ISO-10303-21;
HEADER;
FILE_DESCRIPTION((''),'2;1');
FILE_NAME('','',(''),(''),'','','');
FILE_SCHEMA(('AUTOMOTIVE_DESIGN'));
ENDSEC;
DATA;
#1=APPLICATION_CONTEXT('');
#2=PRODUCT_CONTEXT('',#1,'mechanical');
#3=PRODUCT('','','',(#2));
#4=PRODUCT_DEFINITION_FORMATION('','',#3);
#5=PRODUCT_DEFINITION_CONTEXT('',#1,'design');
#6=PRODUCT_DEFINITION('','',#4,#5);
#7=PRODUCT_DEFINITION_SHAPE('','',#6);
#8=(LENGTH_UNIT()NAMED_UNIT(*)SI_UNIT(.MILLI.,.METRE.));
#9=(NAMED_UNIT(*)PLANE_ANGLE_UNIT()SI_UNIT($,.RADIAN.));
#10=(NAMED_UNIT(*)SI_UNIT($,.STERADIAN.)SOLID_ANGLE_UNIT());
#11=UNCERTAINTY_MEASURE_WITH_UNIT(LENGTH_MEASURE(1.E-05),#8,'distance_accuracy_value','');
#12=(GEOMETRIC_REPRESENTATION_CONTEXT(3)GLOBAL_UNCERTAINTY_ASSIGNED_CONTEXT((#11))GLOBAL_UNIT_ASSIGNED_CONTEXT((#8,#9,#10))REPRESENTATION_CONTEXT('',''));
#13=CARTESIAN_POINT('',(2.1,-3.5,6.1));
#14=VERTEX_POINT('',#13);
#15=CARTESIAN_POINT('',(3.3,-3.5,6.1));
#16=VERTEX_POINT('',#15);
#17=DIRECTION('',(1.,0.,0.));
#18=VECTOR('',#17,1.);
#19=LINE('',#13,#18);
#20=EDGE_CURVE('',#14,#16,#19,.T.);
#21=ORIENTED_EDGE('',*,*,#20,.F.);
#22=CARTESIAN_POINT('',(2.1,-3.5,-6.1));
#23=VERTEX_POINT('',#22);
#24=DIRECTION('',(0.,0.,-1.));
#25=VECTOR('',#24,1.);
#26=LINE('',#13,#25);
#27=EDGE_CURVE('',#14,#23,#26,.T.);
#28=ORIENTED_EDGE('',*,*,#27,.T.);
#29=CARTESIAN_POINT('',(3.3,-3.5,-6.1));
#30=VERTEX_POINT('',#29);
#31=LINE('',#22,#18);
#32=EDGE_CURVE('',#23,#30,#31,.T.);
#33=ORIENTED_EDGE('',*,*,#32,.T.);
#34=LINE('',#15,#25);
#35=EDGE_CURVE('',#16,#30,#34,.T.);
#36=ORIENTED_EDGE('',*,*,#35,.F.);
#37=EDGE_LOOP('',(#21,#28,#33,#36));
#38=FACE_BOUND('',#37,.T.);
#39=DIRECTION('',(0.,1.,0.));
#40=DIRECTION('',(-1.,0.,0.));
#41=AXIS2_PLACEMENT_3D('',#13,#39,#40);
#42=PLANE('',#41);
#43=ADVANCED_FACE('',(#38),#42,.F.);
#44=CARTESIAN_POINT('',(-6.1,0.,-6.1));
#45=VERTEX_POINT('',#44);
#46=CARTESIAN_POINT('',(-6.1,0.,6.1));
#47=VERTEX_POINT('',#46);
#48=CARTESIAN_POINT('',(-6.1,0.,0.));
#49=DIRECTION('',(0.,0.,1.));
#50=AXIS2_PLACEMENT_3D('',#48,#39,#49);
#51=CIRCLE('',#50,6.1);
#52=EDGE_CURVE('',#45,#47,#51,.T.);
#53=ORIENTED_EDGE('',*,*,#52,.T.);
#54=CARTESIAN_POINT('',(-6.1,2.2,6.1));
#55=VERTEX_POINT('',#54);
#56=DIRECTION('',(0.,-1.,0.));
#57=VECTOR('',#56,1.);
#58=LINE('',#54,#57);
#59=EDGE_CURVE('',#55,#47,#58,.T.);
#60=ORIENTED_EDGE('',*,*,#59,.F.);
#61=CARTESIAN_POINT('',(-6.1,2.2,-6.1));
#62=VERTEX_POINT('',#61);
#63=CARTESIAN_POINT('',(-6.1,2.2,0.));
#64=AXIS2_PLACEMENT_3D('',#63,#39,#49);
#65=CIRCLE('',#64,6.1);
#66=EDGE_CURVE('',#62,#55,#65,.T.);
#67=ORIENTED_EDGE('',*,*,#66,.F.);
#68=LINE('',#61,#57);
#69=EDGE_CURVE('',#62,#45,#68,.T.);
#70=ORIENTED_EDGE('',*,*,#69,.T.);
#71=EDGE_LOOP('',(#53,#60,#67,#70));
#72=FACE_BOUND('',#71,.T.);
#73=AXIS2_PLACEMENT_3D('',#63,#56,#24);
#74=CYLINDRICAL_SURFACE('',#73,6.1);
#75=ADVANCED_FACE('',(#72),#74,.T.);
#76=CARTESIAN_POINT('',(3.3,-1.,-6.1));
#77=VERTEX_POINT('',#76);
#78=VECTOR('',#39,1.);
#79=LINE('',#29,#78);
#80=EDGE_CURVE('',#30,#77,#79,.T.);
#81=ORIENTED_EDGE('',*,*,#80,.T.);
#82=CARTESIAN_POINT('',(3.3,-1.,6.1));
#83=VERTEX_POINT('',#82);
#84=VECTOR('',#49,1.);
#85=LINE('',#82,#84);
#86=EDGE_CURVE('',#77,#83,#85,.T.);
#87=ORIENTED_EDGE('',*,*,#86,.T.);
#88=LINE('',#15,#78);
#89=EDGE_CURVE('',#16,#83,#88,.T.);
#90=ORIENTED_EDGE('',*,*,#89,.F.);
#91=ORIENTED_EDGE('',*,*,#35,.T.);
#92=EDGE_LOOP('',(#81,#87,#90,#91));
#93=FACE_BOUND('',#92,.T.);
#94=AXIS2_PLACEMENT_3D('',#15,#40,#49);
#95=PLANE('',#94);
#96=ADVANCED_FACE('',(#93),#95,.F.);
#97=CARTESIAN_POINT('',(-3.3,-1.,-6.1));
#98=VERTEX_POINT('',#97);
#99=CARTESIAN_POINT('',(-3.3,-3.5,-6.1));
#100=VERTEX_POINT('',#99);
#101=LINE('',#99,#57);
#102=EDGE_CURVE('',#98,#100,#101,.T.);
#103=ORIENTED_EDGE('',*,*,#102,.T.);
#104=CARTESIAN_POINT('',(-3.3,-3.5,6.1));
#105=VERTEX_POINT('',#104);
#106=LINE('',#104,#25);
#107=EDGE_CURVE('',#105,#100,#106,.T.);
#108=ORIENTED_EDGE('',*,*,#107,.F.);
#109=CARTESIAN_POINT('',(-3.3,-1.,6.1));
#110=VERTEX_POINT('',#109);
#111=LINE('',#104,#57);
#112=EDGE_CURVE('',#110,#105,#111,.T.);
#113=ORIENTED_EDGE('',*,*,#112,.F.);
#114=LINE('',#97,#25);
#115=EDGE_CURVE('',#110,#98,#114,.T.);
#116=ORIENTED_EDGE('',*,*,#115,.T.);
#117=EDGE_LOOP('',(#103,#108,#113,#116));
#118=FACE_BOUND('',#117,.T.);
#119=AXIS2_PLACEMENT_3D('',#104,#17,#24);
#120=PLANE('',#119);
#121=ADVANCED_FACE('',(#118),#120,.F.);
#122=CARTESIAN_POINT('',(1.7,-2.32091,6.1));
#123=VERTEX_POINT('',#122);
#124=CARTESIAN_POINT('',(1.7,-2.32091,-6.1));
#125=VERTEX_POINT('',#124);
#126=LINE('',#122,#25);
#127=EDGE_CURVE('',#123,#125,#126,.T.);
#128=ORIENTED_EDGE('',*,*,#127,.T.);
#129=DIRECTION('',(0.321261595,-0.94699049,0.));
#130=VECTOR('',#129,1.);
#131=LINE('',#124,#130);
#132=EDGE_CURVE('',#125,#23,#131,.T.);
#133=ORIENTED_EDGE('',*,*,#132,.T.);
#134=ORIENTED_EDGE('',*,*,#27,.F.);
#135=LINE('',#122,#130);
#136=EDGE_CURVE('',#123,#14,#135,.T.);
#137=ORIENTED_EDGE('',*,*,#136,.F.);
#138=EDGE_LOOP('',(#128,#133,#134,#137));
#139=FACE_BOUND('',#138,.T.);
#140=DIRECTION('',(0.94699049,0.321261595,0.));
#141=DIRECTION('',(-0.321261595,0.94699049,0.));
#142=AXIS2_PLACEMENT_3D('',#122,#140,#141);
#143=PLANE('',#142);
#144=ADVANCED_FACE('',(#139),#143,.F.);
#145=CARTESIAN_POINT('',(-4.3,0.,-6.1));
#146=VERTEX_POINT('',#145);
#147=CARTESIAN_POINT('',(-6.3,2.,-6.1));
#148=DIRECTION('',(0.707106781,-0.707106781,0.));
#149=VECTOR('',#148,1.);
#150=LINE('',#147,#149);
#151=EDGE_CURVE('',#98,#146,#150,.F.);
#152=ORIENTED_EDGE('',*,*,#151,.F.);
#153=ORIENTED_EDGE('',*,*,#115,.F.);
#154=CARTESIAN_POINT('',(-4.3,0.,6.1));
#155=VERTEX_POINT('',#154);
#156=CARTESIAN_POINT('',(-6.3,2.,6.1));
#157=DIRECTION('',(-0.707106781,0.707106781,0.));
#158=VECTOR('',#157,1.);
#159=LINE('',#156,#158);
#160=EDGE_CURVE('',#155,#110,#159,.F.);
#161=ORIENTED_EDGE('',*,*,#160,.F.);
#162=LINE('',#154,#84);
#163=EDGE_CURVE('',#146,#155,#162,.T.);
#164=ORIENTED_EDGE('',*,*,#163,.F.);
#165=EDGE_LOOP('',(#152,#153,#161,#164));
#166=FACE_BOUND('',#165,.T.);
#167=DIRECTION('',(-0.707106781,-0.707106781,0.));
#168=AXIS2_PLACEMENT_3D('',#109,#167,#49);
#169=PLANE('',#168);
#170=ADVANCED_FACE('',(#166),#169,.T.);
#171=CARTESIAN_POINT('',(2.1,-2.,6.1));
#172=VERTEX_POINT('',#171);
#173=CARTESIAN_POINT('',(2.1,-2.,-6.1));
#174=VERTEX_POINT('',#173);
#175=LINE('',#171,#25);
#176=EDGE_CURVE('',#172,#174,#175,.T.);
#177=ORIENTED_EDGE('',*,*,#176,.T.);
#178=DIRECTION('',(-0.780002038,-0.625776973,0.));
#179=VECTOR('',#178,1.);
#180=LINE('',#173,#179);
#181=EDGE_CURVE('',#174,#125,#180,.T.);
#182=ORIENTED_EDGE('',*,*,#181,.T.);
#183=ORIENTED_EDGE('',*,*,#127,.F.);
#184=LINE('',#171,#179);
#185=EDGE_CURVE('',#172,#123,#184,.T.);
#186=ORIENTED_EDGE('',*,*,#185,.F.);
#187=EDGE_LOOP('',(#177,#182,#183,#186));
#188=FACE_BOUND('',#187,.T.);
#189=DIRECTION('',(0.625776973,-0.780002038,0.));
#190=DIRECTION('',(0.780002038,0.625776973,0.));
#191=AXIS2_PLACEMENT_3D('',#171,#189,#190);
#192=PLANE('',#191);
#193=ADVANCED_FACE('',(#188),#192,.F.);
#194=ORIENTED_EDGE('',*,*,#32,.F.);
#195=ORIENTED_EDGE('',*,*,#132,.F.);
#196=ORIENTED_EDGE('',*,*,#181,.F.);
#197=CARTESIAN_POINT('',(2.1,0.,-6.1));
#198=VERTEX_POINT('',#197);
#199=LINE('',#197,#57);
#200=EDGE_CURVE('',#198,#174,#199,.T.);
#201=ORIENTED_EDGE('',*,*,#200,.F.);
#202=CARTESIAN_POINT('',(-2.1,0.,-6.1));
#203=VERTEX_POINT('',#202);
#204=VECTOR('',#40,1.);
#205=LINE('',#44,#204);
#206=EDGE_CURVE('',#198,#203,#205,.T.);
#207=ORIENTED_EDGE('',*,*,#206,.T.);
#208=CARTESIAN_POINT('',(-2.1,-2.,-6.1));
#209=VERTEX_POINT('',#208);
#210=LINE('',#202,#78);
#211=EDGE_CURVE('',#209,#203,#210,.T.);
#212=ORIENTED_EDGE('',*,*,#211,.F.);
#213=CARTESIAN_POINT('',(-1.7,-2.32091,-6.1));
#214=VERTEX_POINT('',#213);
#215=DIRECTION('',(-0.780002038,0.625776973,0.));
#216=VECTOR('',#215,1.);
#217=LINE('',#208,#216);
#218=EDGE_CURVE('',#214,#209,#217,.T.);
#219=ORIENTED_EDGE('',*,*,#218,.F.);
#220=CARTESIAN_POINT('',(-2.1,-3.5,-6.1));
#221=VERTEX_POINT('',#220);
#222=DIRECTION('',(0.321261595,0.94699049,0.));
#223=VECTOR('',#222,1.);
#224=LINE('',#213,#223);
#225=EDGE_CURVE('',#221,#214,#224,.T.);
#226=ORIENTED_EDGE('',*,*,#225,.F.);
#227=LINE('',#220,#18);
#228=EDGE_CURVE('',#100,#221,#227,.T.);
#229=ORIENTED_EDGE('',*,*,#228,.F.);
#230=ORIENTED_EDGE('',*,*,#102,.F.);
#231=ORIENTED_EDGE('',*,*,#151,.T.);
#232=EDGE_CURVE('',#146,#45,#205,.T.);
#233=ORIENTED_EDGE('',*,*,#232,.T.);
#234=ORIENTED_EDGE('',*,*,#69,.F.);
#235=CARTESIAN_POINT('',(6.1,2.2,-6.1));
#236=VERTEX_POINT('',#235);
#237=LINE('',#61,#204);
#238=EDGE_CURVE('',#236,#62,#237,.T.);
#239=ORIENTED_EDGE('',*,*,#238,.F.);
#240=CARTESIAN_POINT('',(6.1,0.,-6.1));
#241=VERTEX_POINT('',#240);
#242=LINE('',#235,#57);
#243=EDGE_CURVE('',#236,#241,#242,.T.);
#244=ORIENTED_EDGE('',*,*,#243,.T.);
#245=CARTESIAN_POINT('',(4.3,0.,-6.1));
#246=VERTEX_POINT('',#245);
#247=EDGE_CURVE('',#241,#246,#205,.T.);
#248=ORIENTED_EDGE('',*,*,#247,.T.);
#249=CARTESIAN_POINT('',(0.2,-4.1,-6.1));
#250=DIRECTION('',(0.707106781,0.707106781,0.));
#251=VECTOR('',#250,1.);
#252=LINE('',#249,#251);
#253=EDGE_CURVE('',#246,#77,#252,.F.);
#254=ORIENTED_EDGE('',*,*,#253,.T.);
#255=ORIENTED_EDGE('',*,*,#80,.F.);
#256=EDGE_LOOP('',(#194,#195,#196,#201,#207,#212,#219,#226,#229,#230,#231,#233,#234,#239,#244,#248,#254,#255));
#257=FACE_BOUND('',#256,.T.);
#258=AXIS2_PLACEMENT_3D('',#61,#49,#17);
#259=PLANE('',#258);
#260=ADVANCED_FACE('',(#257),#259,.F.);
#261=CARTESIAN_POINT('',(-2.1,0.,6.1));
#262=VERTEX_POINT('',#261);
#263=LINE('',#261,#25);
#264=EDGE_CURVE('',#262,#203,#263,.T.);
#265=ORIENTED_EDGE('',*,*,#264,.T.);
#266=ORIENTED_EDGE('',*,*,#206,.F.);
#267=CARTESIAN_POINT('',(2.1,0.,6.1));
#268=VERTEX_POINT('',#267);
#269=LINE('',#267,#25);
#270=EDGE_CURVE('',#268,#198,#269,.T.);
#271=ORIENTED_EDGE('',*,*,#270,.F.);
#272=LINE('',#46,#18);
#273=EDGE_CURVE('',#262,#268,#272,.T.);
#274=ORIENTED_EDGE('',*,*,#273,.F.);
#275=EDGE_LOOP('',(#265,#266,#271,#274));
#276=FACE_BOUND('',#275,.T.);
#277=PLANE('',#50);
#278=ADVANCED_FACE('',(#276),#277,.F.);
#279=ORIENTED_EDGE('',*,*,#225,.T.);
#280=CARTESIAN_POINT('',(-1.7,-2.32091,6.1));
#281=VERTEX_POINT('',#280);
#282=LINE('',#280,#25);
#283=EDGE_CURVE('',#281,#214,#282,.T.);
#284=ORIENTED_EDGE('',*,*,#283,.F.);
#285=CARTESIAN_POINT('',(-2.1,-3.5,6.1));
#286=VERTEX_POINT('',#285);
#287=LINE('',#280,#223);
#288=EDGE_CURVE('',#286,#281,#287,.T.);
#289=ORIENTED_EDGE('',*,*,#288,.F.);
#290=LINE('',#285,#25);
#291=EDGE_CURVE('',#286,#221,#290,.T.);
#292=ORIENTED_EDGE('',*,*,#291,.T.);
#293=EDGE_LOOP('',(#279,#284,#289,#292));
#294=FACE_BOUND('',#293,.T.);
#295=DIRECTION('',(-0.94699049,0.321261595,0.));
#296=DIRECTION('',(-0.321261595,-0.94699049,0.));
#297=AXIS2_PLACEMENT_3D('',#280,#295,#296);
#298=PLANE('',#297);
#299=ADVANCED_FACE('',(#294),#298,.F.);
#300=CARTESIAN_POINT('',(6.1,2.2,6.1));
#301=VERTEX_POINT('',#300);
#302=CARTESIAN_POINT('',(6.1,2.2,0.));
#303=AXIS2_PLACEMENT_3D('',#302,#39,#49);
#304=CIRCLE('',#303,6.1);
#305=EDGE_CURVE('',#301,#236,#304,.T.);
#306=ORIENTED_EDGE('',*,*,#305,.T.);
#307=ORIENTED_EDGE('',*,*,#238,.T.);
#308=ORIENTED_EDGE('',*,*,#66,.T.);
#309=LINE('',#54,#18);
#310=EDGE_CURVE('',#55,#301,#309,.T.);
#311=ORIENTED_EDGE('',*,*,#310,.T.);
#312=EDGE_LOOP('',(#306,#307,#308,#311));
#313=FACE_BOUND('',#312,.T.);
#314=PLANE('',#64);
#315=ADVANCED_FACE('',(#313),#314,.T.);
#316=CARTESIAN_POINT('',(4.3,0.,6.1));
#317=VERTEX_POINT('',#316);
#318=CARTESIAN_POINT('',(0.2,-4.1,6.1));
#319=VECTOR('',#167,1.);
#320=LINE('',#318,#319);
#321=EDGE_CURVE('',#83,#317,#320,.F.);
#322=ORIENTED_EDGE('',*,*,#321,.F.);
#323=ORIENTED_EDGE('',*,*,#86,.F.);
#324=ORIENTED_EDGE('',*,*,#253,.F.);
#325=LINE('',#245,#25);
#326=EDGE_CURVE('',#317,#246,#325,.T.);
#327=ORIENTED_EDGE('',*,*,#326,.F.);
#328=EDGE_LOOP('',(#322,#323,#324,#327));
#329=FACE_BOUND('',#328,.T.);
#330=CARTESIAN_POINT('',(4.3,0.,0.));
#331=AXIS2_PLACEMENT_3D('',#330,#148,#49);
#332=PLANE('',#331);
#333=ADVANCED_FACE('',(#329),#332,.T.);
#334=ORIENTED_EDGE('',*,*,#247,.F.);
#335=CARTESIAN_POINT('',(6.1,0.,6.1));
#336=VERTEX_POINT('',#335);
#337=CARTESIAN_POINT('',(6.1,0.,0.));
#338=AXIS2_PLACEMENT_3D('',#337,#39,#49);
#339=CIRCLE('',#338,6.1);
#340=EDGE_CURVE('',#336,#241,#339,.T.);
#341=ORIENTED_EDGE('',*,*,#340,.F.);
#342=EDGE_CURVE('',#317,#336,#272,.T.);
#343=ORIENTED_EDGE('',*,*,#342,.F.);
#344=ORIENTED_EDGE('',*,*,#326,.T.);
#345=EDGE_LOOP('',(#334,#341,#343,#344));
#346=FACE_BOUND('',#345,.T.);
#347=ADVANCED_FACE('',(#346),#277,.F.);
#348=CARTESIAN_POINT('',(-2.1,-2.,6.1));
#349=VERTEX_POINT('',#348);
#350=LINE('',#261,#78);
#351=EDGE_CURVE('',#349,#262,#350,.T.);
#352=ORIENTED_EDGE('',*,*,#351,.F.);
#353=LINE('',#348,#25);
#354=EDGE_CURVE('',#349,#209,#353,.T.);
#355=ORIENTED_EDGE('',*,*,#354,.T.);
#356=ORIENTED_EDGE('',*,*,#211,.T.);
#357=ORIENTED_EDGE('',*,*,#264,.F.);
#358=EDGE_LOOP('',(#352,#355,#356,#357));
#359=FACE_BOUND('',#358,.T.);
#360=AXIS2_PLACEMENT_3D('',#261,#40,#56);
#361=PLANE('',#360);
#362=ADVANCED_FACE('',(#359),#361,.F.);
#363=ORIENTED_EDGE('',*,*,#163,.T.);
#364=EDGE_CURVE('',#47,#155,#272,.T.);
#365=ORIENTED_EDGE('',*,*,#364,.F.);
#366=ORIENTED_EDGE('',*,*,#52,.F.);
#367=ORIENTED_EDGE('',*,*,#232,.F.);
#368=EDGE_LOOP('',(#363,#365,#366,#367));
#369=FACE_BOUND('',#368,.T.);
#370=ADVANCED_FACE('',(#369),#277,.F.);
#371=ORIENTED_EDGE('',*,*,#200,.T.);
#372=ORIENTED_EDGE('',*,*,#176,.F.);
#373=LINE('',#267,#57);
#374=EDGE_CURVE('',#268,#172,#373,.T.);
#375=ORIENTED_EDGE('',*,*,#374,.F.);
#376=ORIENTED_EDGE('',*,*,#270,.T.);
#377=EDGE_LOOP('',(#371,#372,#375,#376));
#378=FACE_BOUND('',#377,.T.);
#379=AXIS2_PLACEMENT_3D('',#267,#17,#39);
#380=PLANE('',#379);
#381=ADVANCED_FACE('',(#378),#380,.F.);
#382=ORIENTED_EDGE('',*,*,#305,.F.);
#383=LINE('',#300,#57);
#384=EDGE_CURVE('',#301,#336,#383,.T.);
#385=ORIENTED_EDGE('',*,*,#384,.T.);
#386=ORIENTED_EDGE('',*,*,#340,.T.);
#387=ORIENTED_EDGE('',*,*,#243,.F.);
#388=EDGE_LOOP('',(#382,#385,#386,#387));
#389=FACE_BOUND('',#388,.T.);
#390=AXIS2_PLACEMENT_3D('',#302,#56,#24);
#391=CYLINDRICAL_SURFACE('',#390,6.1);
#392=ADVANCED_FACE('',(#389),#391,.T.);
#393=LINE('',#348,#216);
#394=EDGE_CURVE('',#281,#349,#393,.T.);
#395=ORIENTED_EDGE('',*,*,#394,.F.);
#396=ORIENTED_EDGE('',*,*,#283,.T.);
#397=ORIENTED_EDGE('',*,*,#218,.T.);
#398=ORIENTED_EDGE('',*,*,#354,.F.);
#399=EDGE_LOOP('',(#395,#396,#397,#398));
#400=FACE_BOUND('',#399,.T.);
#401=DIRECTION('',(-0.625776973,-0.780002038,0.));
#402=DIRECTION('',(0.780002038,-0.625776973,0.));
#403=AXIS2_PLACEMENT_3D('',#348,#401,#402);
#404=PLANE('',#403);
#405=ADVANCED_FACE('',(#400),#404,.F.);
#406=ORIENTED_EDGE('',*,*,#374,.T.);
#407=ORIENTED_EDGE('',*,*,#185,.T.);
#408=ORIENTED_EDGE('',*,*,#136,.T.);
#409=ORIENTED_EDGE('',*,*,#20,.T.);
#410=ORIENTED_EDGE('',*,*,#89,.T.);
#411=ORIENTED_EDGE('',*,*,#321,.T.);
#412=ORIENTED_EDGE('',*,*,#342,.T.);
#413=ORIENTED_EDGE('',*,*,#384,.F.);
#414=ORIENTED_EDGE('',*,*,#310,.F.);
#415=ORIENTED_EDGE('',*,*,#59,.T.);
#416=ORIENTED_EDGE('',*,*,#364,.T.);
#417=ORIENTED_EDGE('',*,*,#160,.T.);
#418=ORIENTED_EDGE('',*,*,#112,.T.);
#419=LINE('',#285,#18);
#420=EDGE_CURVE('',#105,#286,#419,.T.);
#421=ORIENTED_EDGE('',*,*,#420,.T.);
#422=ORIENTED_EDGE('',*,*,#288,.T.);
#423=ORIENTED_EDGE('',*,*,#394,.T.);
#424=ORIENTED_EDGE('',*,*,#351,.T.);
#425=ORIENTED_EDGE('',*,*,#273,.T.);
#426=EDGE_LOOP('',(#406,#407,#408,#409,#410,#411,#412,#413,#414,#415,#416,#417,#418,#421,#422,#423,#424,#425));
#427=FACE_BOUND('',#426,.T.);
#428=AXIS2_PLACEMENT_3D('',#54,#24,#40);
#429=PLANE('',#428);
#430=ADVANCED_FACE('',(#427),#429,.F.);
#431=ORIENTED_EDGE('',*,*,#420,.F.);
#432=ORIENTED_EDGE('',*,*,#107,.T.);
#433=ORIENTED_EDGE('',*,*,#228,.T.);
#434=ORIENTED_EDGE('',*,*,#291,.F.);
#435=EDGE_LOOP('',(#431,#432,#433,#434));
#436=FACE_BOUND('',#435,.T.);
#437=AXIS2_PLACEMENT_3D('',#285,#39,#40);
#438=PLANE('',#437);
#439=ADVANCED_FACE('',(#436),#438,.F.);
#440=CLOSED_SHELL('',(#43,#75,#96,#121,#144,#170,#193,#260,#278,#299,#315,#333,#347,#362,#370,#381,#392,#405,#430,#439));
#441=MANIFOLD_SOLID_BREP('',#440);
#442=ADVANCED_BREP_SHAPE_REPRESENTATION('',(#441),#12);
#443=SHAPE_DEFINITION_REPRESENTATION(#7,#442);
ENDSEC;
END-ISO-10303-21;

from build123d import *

# Parameters (mm, degrees)
BOSS_EXTRU_1_DEPTH = 2.2
BOSS_EXTRU_2_DEPTH = 6.1
CHANFREIN1_SIZE    = 1


with BuildPart() as part:
    # Esquisse1 → Boss.-Extru.1 (new body)
    with BuildSketch(Plane(origin=(0, 0, 0), x_dir=(1, 0, 0), z_dir=(0, 1, 0))):
        with BuildLine():
            Line((-6.1, 6.1), (6.1, 6.1))
            ThreePointArc((6.1, 6.1), (12.2, 0), (6.1, -6.1))
            Line((6.1, -6.1), (-6.1, -6.1))
            ThreePointArc((-6.1, -6.1), (-12.2, 0), (-6.1, 6.1))
        make_face()
    extrude(amount=BOSS_EXTRU_1_DEPTH)

    # Esquisse2 → Boss.-Extru.2 (add, symmetric)
    with BuildSketch(Plane.XY):
        Polygon((-2.1, 0), (-2.1, -2), (-1.7, -2.32091043), (-2.1, -3.5), (-3.3, -3.5), (-3.3, 0), align=None)
        Polygon((2.1, -3.5), (3.3, -3.5), (3.3, 0), (2.1, 0), (2.1, -2), (1.7, -2.32091043), align=None)
    extrude(amount=BOSS_EXTRU_2_DEPTH, both=True)

    # Chanfrein1
    chanfrein1_edges = [part.edges().sort_by_distance(p)[0] for p in [
        (-3.3, 0, 0),
        (3.3, 0, 0),
    ]]
    chamfer(chanfrein1_edges, length=CHANFREIN1_SIZE)


solid = part.part
